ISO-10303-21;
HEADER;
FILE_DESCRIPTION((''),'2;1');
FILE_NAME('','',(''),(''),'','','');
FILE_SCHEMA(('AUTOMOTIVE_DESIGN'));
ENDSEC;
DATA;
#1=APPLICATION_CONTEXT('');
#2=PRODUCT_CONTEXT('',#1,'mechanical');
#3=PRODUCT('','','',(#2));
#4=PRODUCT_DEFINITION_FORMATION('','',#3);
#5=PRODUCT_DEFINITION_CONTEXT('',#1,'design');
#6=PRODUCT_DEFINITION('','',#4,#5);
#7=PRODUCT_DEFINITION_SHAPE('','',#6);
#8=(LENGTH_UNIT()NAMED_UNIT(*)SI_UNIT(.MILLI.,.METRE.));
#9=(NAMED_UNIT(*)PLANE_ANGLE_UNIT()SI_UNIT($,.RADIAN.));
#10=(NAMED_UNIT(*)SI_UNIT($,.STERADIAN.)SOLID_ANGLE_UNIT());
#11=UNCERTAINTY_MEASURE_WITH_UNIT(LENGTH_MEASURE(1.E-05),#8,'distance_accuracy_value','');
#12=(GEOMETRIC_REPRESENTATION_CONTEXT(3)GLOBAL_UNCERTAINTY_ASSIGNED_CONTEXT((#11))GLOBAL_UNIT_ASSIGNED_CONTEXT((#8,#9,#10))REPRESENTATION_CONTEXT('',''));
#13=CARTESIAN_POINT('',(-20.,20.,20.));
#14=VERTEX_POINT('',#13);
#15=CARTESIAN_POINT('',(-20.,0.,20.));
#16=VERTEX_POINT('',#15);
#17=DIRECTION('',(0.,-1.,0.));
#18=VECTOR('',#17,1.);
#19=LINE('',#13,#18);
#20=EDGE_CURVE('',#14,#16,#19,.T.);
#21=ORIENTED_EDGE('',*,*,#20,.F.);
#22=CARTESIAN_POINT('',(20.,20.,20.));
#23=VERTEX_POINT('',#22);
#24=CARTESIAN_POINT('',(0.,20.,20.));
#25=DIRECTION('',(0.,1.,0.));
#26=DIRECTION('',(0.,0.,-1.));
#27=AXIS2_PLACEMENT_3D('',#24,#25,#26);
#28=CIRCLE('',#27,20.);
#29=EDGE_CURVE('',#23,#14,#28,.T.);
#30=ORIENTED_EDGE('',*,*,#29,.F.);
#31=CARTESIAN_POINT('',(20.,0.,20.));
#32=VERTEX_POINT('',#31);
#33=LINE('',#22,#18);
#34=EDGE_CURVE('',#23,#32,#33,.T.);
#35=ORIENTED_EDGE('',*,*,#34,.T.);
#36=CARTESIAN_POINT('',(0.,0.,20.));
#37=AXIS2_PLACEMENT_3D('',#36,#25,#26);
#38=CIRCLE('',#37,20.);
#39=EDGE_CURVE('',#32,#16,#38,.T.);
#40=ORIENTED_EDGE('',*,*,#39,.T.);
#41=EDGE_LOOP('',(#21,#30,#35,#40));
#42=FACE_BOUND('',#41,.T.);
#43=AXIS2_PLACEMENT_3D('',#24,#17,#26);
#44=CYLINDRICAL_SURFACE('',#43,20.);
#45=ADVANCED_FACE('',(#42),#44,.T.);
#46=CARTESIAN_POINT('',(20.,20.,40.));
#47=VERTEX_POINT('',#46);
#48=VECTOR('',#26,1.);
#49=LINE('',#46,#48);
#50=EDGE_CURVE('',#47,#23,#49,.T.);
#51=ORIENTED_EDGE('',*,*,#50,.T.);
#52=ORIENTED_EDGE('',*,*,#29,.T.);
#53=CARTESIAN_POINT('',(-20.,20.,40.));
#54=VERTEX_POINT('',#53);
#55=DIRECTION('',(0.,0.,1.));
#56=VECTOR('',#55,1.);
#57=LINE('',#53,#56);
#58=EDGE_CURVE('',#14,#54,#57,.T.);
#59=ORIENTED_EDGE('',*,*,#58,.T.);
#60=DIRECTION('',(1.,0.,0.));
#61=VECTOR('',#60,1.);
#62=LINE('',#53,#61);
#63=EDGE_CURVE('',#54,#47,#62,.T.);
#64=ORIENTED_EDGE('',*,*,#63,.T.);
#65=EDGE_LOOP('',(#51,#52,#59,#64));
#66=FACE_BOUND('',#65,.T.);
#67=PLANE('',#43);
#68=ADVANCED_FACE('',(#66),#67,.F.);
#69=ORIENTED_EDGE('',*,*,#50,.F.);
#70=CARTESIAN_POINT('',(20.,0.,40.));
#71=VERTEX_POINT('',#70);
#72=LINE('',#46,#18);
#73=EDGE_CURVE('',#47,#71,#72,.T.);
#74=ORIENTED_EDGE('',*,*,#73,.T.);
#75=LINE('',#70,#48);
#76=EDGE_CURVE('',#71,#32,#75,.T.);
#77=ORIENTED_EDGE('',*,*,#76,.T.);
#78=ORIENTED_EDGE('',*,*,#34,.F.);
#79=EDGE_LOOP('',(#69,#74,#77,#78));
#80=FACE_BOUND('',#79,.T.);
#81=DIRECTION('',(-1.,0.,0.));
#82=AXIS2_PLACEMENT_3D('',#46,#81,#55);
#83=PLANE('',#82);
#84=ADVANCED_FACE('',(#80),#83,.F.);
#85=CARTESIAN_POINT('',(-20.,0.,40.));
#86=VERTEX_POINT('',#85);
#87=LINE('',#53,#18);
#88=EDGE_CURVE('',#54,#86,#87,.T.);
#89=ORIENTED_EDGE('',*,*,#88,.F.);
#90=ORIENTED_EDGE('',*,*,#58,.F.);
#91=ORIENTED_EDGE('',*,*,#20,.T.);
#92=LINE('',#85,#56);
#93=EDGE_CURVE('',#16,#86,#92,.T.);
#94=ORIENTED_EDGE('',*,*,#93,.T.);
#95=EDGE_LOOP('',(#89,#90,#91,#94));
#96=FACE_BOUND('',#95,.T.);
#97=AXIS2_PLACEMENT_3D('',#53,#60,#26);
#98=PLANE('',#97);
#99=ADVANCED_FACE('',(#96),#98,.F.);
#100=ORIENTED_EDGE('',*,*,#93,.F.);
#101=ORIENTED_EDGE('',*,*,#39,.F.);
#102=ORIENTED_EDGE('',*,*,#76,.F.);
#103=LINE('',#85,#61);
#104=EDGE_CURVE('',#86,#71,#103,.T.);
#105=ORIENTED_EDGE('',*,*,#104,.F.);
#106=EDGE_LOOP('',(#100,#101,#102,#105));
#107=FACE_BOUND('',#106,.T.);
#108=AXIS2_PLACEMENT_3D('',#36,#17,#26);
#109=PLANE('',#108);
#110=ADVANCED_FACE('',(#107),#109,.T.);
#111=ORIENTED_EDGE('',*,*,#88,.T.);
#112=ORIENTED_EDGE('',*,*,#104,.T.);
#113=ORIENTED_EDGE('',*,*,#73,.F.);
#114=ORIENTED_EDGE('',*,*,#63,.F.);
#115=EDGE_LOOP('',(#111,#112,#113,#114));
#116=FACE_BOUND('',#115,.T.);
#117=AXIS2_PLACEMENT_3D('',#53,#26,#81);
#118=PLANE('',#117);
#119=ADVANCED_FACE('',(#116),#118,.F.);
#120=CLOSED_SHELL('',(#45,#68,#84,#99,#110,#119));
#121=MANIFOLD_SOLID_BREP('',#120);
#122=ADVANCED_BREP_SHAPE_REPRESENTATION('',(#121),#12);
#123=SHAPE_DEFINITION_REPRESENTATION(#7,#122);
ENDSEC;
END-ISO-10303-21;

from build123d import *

# Parameters (mm, degrees)
BOSS_EXTRUDE1_DEPTH = 20


with BuildPart() as part:
    # Sketch1 → Boss-Extrude1 (new body)
    with BuildSketch(Plane(origin=(0, 0, 0), x_dir=(1, 0, 0), z_dir=(0, 1, 0))):
        with BuildLine():
            Line((-20, -40), (20, -40))
            Line((20, -40), (20, -20))
            ThreePointArc((20, -20), (0, 0), (-20, -20))
            Line((-20, -20), (-20, -40))
        make_face()
    extrude(amount=BOSS_EXTRUDE1_DEPTH)


solid = part.part
